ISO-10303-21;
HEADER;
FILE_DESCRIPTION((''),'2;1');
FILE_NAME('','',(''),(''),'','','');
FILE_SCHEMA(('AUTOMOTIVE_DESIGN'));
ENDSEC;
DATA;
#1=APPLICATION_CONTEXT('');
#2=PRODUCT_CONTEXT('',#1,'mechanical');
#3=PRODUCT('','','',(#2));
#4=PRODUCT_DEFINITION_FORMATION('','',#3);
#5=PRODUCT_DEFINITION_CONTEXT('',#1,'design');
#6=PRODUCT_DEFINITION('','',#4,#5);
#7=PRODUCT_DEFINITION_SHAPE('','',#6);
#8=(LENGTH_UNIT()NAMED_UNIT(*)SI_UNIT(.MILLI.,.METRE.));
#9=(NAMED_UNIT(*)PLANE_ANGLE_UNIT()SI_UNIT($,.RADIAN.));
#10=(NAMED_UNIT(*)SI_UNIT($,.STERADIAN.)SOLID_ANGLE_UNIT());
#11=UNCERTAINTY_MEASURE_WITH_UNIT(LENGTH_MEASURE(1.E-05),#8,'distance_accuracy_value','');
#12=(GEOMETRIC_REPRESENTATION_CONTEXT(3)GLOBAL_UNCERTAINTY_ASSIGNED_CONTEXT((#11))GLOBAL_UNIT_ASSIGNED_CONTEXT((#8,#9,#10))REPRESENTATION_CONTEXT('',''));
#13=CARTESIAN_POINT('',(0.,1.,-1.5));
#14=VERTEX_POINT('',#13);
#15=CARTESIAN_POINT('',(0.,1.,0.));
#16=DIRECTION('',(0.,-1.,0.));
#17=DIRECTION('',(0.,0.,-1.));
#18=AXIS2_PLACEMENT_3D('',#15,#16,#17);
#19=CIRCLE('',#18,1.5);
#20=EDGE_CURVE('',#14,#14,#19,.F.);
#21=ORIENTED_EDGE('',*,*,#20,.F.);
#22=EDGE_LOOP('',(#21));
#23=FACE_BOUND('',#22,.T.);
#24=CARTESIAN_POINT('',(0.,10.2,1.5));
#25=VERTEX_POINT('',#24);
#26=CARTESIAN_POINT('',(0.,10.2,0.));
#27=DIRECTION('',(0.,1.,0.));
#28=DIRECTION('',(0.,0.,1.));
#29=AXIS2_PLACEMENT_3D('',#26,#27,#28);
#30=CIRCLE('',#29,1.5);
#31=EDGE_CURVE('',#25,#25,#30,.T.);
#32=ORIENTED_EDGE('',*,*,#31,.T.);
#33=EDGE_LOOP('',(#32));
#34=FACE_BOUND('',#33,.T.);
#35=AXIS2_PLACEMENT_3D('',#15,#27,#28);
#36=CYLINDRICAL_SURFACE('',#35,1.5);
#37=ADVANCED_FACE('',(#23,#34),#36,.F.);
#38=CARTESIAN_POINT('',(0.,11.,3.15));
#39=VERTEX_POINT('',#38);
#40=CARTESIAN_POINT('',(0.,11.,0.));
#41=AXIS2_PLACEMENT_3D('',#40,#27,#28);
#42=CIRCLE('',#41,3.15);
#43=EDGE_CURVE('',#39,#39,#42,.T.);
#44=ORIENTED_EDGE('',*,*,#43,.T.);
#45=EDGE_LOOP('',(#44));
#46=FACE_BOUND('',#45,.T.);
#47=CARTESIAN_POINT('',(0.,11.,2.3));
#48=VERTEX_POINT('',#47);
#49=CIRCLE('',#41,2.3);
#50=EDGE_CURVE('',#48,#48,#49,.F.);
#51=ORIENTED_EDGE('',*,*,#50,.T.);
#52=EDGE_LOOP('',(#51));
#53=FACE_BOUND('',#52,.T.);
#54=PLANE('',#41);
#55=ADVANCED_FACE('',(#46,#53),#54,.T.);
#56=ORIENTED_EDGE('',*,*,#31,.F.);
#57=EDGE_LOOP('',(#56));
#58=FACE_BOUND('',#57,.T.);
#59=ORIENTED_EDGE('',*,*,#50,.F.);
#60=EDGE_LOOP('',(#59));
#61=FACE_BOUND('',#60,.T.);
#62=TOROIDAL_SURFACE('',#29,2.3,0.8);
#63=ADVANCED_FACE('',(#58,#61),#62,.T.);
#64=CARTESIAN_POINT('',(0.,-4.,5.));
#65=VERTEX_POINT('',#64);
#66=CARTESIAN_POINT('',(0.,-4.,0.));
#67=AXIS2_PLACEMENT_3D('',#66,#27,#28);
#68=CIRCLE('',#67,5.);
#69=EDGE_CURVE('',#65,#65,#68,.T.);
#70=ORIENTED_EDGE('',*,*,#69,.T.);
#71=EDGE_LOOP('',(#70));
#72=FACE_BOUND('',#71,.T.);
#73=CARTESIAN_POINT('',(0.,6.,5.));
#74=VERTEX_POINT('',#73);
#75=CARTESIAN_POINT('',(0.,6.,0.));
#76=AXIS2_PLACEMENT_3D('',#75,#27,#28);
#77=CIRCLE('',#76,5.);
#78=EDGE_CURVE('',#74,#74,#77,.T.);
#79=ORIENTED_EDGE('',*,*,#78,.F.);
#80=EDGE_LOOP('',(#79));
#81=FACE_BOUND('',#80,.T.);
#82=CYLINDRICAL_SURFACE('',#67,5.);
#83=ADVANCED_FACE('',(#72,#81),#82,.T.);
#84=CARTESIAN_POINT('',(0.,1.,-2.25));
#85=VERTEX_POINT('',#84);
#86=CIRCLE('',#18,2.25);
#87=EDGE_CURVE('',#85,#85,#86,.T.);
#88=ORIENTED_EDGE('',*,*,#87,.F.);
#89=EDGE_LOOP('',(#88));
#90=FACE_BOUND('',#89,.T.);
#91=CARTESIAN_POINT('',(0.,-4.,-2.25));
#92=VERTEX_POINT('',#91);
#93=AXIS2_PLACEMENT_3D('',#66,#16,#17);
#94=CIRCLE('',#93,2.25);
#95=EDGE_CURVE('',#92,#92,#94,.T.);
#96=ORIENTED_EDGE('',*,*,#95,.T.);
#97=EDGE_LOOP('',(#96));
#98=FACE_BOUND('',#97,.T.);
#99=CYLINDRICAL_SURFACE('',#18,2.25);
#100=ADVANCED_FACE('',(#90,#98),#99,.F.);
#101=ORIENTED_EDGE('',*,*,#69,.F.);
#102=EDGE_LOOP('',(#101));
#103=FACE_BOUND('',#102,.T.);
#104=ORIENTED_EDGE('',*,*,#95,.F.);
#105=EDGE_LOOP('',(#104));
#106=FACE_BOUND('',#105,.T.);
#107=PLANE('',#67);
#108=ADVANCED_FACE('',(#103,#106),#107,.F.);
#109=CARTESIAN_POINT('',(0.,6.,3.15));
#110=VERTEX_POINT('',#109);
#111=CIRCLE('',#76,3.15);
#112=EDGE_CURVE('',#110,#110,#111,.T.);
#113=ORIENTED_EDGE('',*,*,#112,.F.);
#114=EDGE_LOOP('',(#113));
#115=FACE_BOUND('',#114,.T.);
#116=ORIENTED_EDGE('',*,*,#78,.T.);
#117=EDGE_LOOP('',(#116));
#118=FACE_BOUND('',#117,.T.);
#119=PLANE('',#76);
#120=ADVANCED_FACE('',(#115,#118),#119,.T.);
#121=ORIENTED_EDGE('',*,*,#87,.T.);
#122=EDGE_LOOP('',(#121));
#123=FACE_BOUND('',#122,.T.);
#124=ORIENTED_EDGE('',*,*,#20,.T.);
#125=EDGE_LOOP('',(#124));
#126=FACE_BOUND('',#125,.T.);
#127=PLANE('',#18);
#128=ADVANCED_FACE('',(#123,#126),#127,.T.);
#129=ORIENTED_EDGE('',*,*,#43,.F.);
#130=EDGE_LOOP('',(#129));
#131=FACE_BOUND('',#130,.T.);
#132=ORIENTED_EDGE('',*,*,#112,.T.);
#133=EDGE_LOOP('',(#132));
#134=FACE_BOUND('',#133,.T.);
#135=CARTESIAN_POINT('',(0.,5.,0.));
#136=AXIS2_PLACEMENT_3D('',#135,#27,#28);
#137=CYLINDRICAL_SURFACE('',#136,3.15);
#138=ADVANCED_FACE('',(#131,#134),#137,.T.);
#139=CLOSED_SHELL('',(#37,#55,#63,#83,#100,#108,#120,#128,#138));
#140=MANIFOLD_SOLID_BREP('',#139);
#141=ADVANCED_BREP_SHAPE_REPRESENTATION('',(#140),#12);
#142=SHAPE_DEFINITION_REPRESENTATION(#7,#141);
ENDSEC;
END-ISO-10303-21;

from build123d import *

# Parameters (mm, degrees)
BOSS_EXTRU_1_DEPTH      = 6
BOSS_EXTRU_1_DEPTH_BACK = 4
ESQUISSE1_R             = 5
BOSS_EXTRU_2_DEPTH      = 5
BOSS_EXTRU_2_DEPTH_BACK = 1
ESQUISSE2_R             = 3.15
ESQUISSE3_R             = 1.5
ENL_V_MAT_EXTRU_2_DEPTH = 10
ESQUISSE4_R             = 2.25
ENL_V_MAT_EXTRU_3_DEPTH = 5
CONG_1_R                = 0.8


with BuildPart() as part:
    # Esquisse1 → Boss.-Extru.1 (new, two sides: drawn at the far end of the back side and taken through both)
    with BuildSketch(Plane(origin=(0, 0, 0), x_dir=(1, 0, 0), z_dir=(0, 1, 0)).offset(-BOSS_EXTRU_1_DEPTH_BACK)):
        with Locations(Location((0, 0, 0), (0, 0, 270))):
            Circle(ESQUISSE1_R)
    extrude(amount=BOSS_EXTRU_1_DEPTH + BOSS_EXTRU_1_DEPTH_BACK)

    # Esquisse2 → Boss.-Extru.2 (add, two sides: drawn at the far end of the back side and taken through both)
    with BuildSketch(Plane(origin=(0, 6, 0), x_dir=(1, 0, 0), z_dir=(0, 1, 0)).offset(-BOSS_EXTRU_2_DEPTH_BACK)):
        with Locations(Location((0, 0, 0), (0, 0, 270))):
            Circle(ESQUISSE2_R)
    extrude(amount=BOSS_EXTRU_2_DEPTH + BOSS_EXTRU_2_DEPTH_BACK)

    # Esquisse3 → Enlèv. mat.-Extru.2 (cut)
    with BuildSketch(Plane(origin=(0, 11, 0), x_dir=(1, 0, 0), z_dir=(0, 1, 0))):
        with Locations(Location((0, 0, 0), (0, 0, 270))):
            Circle(ESQUISSE3_R)
    extrude(amount=-ENL_V_MAT_EXTRU_2_DEPTH, mode=Mode.SUBTRACT)

    # Esquisse4 → Enlèv. mat.-Extru.3 (cut)
    with BuildSketch(Plane.XZ.offset(4)):
        with Locations(Location((0, 0, 0), (0, 0, 270))):
            Circle(ESQUISSE4_R)
    extrude(amount=-ENL_V_MAT_EXTRU_3_DEPTH, mode=Mode.SUBTRACT)

    # Congé1
    cong_1_edges = [part.edges().sort_by_distance(p)[0] for p in [
        (0, 11, -1.5),
    ]]
    fillet(cong_1_edges, radius=CONG_1_R)


solid = part.part
